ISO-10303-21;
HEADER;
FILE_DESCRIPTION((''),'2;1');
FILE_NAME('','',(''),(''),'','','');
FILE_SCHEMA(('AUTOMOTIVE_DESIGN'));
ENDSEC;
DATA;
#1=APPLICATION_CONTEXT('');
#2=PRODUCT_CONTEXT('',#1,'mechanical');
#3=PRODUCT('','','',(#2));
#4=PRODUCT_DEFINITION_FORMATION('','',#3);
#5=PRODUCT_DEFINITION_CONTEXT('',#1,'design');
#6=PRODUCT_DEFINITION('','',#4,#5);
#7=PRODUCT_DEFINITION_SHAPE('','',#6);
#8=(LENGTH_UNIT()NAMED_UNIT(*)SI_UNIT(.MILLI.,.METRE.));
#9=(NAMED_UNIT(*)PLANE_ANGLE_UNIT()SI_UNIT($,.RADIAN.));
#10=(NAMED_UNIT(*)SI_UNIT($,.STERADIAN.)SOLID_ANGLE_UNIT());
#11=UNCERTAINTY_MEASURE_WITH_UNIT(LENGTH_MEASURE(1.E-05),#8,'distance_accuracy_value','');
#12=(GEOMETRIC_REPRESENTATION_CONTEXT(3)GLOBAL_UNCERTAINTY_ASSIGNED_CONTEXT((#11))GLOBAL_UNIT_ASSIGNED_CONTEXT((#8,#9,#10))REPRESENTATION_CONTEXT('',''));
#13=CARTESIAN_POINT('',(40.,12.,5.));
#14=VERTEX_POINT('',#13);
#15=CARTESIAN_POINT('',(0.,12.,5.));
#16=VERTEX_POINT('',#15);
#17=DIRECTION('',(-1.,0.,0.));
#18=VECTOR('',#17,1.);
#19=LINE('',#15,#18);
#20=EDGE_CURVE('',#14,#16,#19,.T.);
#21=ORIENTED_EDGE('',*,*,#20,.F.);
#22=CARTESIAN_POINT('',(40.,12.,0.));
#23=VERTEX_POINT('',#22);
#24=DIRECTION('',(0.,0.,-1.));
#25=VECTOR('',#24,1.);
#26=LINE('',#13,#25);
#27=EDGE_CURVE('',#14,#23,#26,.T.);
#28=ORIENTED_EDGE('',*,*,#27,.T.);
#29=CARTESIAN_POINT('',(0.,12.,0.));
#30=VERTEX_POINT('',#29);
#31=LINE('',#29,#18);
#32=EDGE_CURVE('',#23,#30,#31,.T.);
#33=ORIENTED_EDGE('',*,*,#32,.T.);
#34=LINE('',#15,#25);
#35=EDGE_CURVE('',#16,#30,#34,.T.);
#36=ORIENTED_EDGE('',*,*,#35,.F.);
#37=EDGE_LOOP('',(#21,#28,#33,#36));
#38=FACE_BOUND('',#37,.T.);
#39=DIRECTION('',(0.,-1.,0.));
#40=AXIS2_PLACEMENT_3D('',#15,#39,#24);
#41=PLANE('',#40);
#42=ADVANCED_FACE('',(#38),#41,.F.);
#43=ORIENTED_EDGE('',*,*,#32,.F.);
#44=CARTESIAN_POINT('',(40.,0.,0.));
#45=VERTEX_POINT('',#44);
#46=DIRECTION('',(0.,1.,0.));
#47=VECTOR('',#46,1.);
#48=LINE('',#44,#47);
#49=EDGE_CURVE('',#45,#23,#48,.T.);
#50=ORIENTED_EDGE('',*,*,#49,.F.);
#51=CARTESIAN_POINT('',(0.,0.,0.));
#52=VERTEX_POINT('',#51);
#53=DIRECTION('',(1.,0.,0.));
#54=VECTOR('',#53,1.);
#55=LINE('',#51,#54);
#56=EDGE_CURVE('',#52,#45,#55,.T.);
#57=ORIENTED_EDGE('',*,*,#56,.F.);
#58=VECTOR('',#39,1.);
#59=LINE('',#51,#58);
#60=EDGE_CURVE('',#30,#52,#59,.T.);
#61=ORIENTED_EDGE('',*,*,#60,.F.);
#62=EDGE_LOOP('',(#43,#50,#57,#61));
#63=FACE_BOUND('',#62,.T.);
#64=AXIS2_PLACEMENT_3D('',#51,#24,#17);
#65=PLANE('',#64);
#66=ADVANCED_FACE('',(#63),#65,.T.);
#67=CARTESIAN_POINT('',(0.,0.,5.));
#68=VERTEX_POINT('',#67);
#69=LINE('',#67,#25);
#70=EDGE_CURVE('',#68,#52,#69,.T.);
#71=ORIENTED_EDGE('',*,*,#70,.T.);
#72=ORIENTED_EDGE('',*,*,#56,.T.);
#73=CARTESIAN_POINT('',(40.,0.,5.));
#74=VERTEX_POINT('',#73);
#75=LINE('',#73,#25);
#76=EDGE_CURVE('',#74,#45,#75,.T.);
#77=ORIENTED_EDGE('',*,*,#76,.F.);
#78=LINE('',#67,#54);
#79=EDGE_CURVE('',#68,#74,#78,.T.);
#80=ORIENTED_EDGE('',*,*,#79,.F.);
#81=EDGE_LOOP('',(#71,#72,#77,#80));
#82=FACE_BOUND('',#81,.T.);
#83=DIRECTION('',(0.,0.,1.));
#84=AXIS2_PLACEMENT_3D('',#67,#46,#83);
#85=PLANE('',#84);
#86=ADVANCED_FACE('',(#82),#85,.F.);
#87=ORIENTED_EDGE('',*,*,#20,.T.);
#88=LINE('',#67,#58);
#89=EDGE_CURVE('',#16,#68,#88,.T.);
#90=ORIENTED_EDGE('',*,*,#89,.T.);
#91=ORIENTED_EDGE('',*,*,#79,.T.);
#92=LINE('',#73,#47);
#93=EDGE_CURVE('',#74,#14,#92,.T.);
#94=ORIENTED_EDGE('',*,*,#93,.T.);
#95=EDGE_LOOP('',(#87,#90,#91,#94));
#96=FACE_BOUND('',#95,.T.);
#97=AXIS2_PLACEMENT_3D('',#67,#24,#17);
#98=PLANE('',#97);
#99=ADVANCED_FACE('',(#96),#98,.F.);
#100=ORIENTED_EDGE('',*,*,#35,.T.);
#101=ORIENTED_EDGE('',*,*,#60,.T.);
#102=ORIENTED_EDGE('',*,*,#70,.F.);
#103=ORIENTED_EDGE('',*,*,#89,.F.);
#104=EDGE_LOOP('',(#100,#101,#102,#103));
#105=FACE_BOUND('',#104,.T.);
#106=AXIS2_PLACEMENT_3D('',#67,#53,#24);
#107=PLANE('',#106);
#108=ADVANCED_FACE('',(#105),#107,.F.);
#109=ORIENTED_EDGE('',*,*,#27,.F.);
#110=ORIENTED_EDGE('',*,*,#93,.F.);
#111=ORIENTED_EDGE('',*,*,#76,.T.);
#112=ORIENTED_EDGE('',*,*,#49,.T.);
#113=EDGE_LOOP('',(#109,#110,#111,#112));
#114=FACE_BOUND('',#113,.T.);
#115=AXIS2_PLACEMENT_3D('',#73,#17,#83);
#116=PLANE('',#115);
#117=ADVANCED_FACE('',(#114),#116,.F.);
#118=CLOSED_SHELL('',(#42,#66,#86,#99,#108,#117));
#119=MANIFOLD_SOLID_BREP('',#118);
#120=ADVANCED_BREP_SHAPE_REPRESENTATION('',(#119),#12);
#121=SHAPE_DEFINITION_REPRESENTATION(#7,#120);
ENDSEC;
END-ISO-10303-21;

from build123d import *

# Parameters (mm, degrees)
ESBO_O1_W                = 40
ESBO_O1_H                = 12
RESSALTO_EXTRUS_O1_DEPTH = 5


with BuildPart() as part:
    # Esboço1 → Ressalto-extrusão1 (new body)
    with BuildSketch(Plane.XY):
        with Locations((20, 6)):
            Rectangle(ESBO_O1_W, ESBO_O1_H)
    extrude(amount=RESSALTO_EXTRUS_O1_DEPTH)


solid = part.part
